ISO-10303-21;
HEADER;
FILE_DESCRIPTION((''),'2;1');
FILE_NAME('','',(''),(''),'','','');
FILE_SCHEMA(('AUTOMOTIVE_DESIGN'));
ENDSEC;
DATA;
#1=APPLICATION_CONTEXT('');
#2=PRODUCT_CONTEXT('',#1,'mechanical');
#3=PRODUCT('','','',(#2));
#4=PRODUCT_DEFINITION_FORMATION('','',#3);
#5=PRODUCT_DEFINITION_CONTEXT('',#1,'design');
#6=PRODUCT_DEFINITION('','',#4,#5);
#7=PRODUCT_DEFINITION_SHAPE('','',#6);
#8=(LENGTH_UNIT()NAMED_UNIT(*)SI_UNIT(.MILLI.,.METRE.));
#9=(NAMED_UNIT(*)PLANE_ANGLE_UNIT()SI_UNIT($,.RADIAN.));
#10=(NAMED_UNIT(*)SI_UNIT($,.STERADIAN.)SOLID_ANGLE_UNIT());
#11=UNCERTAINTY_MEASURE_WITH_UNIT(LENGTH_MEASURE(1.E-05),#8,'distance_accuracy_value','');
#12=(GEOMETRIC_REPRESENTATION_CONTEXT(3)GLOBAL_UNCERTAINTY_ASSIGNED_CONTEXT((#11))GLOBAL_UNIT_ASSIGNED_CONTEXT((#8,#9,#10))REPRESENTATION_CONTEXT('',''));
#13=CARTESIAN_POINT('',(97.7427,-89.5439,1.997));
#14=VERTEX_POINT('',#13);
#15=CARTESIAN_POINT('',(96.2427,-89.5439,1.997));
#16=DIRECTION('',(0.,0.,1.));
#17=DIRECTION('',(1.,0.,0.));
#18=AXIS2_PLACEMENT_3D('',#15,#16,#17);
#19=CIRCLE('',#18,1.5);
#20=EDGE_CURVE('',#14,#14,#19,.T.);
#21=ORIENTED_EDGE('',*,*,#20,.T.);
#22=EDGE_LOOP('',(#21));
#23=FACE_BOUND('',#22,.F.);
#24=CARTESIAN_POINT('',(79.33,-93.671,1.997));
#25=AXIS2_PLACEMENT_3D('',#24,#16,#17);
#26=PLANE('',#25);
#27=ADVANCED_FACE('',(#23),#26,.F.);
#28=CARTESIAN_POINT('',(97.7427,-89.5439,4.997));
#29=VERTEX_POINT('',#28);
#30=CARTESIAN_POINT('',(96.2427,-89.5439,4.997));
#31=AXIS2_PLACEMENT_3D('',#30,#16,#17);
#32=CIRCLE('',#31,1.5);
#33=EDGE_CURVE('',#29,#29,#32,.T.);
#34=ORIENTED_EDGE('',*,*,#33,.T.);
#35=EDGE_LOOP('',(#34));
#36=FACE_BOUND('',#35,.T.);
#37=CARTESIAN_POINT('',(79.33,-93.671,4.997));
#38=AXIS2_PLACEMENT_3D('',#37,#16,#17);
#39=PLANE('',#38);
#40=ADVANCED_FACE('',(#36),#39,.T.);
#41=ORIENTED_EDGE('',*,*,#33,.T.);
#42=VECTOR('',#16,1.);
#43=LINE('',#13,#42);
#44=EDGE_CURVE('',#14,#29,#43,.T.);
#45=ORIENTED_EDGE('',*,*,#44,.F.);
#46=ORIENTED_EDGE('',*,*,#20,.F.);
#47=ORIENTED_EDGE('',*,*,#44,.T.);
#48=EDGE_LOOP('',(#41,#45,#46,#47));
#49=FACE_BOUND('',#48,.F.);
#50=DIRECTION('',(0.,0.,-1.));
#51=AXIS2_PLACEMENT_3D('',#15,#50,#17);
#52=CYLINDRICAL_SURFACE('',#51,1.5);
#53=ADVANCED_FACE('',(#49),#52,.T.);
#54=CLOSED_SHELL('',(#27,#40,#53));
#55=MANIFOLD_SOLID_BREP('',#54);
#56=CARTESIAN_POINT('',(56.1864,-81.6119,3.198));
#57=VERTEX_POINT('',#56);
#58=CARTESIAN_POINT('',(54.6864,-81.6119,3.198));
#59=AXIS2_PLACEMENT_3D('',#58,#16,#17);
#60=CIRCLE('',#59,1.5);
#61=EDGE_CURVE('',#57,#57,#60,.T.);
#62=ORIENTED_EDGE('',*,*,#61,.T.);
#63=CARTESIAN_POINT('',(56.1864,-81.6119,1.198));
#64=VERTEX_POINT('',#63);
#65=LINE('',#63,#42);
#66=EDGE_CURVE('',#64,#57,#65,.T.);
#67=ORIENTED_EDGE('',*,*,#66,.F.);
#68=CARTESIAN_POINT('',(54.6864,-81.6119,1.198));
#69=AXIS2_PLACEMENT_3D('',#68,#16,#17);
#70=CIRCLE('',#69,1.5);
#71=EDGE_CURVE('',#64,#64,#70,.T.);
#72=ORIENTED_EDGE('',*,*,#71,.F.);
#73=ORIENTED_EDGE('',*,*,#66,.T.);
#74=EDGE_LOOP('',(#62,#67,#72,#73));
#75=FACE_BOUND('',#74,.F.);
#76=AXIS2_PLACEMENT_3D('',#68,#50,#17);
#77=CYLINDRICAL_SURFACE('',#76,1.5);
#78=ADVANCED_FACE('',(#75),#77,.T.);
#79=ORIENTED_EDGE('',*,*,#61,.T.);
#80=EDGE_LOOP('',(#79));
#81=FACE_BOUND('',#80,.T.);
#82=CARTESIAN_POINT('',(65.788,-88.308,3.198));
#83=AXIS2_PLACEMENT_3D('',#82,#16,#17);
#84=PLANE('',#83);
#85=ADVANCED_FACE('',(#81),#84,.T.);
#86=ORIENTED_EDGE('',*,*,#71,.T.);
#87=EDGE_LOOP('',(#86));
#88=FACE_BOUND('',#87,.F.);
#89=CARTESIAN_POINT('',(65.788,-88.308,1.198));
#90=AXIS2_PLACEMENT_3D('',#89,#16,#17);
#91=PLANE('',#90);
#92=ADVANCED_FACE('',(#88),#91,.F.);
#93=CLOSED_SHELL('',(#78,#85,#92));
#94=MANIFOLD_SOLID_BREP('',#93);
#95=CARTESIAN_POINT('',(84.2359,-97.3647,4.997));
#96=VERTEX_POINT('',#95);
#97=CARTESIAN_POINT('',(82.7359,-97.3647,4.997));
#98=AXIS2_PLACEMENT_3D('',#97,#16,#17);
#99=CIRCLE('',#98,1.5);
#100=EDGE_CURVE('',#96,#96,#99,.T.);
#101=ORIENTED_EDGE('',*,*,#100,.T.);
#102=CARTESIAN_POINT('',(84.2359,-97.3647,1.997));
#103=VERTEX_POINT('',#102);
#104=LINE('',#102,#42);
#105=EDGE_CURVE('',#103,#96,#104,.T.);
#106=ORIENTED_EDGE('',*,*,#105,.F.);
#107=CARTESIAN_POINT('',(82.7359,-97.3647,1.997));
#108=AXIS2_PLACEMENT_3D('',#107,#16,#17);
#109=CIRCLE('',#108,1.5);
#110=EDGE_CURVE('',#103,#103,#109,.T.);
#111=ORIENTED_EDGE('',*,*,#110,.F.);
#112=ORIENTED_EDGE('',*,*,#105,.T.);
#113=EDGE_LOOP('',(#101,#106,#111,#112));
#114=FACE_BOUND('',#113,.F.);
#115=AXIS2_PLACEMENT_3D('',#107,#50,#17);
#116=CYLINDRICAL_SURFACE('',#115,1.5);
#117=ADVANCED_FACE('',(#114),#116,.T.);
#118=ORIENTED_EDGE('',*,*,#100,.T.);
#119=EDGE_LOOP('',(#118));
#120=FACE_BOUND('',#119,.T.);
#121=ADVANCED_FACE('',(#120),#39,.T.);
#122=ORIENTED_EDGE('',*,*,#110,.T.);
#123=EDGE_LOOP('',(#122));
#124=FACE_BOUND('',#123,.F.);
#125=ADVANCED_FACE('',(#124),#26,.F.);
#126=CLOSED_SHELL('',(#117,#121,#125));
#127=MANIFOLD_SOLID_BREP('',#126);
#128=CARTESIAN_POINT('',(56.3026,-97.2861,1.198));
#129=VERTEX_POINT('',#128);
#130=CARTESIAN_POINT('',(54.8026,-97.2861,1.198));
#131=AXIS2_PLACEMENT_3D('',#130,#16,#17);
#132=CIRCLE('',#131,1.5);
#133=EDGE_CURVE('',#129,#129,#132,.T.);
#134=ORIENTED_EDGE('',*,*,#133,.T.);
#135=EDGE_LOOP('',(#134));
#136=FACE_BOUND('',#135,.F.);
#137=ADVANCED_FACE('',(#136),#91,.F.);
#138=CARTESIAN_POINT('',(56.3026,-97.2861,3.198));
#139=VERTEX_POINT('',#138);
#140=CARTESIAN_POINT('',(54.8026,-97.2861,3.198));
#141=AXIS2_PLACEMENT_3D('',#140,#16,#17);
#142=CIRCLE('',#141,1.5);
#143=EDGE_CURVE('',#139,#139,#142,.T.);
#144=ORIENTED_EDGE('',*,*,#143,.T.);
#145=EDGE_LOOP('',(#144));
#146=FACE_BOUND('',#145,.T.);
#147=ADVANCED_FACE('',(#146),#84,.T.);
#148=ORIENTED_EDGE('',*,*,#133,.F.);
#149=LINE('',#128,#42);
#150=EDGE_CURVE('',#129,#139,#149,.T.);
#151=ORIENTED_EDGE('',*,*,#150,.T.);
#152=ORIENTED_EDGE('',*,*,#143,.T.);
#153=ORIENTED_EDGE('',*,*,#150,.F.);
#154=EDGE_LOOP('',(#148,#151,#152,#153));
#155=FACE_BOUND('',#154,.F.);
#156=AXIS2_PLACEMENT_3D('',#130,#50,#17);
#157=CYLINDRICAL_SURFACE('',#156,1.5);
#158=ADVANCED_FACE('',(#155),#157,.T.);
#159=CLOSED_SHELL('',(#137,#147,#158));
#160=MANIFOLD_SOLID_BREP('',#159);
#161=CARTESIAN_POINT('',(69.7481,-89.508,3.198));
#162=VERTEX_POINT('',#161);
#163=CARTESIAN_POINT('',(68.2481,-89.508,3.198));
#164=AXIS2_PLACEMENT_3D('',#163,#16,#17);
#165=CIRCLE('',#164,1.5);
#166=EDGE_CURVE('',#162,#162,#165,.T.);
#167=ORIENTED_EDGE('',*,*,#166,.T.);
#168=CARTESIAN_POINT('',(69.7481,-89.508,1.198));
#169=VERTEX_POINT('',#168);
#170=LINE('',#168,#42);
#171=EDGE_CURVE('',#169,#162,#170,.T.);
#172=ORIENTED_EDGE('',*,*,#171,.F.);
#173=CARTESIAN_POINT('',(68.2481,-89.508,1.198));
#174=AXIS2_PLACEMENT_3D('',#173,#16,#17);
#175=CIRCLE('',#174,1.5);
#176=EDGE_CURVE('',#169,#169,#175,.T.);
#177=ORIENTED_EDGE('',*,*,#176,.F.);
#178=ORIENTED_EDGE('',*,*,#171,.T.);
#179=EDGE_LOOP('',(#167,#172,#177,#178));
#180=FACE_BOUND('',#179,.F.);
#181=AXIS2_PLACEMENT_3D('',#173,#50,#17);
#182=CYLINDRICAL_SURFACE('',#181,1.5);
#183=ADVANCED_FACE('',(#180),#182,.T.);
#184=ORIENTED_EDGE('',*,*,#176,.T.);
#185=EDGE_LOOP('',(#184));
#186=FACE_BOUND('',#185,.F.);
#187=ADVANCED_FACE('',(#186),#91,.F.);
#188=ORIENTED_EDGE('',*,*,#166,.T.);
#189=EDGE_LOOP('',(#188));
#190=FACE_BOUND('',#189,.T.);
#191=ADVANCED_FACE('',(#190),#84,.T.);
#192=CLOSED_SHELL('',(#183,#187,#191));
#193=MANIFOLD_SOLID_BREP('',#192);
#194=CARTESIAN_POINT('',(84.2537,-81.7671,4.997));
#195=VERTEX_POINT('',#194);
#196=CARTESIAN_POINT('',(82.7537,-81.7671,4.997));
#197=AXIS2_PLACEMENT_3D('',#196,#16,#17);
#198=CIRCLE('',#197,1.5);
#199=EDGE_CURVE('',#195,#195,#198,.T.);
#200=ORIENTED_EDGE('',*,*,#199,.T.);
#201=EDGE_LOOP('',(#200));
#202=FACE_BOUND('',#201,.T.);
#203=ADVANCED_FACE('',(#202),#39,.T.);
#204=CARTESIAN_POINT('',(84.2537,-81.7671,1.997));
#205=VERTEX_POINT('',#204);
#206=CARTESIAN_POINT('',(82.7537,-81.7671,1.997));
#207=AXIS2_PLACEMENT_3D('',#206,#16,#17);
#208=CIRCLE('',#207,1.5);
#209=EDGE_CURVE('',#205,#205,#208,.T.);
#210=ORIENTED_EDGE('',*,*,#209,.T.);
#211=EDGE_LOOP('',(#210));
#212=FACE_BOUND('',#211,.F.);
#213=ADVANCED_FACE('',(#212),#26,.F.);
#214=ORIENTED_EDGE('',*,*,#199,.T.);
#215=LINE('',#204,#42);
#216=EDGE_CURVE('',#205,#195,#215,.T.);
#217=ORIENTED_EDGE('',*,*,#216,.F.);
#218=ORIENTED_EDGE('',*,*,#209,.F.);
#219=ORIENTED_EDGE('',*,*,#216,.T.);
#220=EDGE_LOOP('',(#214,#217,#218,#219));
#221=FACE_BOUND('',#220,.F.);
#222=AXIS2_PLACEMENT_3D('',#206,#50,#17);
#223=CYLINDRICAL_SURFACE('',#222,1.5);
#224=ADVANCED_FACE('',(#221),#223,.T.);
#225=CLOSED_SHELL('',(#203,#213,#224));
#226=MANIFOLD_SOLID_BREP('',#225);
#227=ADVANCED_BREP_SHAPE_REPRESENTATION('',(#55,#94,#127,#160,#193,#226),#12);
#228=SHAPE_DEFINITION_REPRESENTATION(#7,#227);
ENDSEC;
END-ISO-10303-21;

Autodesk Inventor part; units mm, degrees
ref_plane "YZ Plane" through (0, 0, 0) normal (1, 0, 0) x (0, 1, 0)
ref_plane "XZ Plane" through (0, 0, 0) normal (0, 1, 0) x (-1, 0, 0)
ref_plane "XY Plane" through (0, 0, 0) normal (0, 0, 1) x (1, 0, 0)
sketch "Skizze1" plane through (79.33, -93.671, 1.997) normal (0, 0, 1) x (1, 0, 0)
  circle A0 centre (3.4237, 11.9039) radius 1.273 projected
  circle A1 centre (16.9127, 4.1271) radius 1.2955 projected
  circle A2 centre (3.4059, -3.6937) radius 1.3406 projected
  circle A3 centre (3.4237, 11.9039) radius 1.5
  circle A4 centre (16.9127, 4.1271) radius 1.5
  circle A5 centre (3.4059, -3.6937) radius 1.5
  point P0 (-79.33, 93.671)
  dimension "d0" = 3
  dimension "d1" = 3
  dimension "d2" = 3
extrude "Extrusion1" add sketch "Skizze1" along normal blind 3 contours A0 | A1 | A2 | A3 | A4 | A5
sketch "Skizze2" plane through (65.788, -88.308, 1.198) normal (0, 0, 1) x (1, 0, 0)
  circle A0 centre (-11.1016, 6.6961) radius 1.4233 projected
  circle A1 centre (-10.9854, -8.9781) radius 1.2319 projected
  circle A2 centre (2.4601, -1.2) radius 1.287 projected
  circle A3 centre (-11.1016, 6.6961) radius 1.5
  circle A4 centre (2.4601, -1.2) radius 1.5
  circle A5 centre (-10.9854, -8.9781) radius 1.5
  point P0 (-65.788, 88.308)
  dimension "d5" = 3
  dimension "d6" = 3
  dimension "d7" = 3
extrude "Extrusion2" add sketch "Skizze2" along normal blind 2 contours A0 | A1 | A2 | A3 | A4 | A5
properties part number "3"
